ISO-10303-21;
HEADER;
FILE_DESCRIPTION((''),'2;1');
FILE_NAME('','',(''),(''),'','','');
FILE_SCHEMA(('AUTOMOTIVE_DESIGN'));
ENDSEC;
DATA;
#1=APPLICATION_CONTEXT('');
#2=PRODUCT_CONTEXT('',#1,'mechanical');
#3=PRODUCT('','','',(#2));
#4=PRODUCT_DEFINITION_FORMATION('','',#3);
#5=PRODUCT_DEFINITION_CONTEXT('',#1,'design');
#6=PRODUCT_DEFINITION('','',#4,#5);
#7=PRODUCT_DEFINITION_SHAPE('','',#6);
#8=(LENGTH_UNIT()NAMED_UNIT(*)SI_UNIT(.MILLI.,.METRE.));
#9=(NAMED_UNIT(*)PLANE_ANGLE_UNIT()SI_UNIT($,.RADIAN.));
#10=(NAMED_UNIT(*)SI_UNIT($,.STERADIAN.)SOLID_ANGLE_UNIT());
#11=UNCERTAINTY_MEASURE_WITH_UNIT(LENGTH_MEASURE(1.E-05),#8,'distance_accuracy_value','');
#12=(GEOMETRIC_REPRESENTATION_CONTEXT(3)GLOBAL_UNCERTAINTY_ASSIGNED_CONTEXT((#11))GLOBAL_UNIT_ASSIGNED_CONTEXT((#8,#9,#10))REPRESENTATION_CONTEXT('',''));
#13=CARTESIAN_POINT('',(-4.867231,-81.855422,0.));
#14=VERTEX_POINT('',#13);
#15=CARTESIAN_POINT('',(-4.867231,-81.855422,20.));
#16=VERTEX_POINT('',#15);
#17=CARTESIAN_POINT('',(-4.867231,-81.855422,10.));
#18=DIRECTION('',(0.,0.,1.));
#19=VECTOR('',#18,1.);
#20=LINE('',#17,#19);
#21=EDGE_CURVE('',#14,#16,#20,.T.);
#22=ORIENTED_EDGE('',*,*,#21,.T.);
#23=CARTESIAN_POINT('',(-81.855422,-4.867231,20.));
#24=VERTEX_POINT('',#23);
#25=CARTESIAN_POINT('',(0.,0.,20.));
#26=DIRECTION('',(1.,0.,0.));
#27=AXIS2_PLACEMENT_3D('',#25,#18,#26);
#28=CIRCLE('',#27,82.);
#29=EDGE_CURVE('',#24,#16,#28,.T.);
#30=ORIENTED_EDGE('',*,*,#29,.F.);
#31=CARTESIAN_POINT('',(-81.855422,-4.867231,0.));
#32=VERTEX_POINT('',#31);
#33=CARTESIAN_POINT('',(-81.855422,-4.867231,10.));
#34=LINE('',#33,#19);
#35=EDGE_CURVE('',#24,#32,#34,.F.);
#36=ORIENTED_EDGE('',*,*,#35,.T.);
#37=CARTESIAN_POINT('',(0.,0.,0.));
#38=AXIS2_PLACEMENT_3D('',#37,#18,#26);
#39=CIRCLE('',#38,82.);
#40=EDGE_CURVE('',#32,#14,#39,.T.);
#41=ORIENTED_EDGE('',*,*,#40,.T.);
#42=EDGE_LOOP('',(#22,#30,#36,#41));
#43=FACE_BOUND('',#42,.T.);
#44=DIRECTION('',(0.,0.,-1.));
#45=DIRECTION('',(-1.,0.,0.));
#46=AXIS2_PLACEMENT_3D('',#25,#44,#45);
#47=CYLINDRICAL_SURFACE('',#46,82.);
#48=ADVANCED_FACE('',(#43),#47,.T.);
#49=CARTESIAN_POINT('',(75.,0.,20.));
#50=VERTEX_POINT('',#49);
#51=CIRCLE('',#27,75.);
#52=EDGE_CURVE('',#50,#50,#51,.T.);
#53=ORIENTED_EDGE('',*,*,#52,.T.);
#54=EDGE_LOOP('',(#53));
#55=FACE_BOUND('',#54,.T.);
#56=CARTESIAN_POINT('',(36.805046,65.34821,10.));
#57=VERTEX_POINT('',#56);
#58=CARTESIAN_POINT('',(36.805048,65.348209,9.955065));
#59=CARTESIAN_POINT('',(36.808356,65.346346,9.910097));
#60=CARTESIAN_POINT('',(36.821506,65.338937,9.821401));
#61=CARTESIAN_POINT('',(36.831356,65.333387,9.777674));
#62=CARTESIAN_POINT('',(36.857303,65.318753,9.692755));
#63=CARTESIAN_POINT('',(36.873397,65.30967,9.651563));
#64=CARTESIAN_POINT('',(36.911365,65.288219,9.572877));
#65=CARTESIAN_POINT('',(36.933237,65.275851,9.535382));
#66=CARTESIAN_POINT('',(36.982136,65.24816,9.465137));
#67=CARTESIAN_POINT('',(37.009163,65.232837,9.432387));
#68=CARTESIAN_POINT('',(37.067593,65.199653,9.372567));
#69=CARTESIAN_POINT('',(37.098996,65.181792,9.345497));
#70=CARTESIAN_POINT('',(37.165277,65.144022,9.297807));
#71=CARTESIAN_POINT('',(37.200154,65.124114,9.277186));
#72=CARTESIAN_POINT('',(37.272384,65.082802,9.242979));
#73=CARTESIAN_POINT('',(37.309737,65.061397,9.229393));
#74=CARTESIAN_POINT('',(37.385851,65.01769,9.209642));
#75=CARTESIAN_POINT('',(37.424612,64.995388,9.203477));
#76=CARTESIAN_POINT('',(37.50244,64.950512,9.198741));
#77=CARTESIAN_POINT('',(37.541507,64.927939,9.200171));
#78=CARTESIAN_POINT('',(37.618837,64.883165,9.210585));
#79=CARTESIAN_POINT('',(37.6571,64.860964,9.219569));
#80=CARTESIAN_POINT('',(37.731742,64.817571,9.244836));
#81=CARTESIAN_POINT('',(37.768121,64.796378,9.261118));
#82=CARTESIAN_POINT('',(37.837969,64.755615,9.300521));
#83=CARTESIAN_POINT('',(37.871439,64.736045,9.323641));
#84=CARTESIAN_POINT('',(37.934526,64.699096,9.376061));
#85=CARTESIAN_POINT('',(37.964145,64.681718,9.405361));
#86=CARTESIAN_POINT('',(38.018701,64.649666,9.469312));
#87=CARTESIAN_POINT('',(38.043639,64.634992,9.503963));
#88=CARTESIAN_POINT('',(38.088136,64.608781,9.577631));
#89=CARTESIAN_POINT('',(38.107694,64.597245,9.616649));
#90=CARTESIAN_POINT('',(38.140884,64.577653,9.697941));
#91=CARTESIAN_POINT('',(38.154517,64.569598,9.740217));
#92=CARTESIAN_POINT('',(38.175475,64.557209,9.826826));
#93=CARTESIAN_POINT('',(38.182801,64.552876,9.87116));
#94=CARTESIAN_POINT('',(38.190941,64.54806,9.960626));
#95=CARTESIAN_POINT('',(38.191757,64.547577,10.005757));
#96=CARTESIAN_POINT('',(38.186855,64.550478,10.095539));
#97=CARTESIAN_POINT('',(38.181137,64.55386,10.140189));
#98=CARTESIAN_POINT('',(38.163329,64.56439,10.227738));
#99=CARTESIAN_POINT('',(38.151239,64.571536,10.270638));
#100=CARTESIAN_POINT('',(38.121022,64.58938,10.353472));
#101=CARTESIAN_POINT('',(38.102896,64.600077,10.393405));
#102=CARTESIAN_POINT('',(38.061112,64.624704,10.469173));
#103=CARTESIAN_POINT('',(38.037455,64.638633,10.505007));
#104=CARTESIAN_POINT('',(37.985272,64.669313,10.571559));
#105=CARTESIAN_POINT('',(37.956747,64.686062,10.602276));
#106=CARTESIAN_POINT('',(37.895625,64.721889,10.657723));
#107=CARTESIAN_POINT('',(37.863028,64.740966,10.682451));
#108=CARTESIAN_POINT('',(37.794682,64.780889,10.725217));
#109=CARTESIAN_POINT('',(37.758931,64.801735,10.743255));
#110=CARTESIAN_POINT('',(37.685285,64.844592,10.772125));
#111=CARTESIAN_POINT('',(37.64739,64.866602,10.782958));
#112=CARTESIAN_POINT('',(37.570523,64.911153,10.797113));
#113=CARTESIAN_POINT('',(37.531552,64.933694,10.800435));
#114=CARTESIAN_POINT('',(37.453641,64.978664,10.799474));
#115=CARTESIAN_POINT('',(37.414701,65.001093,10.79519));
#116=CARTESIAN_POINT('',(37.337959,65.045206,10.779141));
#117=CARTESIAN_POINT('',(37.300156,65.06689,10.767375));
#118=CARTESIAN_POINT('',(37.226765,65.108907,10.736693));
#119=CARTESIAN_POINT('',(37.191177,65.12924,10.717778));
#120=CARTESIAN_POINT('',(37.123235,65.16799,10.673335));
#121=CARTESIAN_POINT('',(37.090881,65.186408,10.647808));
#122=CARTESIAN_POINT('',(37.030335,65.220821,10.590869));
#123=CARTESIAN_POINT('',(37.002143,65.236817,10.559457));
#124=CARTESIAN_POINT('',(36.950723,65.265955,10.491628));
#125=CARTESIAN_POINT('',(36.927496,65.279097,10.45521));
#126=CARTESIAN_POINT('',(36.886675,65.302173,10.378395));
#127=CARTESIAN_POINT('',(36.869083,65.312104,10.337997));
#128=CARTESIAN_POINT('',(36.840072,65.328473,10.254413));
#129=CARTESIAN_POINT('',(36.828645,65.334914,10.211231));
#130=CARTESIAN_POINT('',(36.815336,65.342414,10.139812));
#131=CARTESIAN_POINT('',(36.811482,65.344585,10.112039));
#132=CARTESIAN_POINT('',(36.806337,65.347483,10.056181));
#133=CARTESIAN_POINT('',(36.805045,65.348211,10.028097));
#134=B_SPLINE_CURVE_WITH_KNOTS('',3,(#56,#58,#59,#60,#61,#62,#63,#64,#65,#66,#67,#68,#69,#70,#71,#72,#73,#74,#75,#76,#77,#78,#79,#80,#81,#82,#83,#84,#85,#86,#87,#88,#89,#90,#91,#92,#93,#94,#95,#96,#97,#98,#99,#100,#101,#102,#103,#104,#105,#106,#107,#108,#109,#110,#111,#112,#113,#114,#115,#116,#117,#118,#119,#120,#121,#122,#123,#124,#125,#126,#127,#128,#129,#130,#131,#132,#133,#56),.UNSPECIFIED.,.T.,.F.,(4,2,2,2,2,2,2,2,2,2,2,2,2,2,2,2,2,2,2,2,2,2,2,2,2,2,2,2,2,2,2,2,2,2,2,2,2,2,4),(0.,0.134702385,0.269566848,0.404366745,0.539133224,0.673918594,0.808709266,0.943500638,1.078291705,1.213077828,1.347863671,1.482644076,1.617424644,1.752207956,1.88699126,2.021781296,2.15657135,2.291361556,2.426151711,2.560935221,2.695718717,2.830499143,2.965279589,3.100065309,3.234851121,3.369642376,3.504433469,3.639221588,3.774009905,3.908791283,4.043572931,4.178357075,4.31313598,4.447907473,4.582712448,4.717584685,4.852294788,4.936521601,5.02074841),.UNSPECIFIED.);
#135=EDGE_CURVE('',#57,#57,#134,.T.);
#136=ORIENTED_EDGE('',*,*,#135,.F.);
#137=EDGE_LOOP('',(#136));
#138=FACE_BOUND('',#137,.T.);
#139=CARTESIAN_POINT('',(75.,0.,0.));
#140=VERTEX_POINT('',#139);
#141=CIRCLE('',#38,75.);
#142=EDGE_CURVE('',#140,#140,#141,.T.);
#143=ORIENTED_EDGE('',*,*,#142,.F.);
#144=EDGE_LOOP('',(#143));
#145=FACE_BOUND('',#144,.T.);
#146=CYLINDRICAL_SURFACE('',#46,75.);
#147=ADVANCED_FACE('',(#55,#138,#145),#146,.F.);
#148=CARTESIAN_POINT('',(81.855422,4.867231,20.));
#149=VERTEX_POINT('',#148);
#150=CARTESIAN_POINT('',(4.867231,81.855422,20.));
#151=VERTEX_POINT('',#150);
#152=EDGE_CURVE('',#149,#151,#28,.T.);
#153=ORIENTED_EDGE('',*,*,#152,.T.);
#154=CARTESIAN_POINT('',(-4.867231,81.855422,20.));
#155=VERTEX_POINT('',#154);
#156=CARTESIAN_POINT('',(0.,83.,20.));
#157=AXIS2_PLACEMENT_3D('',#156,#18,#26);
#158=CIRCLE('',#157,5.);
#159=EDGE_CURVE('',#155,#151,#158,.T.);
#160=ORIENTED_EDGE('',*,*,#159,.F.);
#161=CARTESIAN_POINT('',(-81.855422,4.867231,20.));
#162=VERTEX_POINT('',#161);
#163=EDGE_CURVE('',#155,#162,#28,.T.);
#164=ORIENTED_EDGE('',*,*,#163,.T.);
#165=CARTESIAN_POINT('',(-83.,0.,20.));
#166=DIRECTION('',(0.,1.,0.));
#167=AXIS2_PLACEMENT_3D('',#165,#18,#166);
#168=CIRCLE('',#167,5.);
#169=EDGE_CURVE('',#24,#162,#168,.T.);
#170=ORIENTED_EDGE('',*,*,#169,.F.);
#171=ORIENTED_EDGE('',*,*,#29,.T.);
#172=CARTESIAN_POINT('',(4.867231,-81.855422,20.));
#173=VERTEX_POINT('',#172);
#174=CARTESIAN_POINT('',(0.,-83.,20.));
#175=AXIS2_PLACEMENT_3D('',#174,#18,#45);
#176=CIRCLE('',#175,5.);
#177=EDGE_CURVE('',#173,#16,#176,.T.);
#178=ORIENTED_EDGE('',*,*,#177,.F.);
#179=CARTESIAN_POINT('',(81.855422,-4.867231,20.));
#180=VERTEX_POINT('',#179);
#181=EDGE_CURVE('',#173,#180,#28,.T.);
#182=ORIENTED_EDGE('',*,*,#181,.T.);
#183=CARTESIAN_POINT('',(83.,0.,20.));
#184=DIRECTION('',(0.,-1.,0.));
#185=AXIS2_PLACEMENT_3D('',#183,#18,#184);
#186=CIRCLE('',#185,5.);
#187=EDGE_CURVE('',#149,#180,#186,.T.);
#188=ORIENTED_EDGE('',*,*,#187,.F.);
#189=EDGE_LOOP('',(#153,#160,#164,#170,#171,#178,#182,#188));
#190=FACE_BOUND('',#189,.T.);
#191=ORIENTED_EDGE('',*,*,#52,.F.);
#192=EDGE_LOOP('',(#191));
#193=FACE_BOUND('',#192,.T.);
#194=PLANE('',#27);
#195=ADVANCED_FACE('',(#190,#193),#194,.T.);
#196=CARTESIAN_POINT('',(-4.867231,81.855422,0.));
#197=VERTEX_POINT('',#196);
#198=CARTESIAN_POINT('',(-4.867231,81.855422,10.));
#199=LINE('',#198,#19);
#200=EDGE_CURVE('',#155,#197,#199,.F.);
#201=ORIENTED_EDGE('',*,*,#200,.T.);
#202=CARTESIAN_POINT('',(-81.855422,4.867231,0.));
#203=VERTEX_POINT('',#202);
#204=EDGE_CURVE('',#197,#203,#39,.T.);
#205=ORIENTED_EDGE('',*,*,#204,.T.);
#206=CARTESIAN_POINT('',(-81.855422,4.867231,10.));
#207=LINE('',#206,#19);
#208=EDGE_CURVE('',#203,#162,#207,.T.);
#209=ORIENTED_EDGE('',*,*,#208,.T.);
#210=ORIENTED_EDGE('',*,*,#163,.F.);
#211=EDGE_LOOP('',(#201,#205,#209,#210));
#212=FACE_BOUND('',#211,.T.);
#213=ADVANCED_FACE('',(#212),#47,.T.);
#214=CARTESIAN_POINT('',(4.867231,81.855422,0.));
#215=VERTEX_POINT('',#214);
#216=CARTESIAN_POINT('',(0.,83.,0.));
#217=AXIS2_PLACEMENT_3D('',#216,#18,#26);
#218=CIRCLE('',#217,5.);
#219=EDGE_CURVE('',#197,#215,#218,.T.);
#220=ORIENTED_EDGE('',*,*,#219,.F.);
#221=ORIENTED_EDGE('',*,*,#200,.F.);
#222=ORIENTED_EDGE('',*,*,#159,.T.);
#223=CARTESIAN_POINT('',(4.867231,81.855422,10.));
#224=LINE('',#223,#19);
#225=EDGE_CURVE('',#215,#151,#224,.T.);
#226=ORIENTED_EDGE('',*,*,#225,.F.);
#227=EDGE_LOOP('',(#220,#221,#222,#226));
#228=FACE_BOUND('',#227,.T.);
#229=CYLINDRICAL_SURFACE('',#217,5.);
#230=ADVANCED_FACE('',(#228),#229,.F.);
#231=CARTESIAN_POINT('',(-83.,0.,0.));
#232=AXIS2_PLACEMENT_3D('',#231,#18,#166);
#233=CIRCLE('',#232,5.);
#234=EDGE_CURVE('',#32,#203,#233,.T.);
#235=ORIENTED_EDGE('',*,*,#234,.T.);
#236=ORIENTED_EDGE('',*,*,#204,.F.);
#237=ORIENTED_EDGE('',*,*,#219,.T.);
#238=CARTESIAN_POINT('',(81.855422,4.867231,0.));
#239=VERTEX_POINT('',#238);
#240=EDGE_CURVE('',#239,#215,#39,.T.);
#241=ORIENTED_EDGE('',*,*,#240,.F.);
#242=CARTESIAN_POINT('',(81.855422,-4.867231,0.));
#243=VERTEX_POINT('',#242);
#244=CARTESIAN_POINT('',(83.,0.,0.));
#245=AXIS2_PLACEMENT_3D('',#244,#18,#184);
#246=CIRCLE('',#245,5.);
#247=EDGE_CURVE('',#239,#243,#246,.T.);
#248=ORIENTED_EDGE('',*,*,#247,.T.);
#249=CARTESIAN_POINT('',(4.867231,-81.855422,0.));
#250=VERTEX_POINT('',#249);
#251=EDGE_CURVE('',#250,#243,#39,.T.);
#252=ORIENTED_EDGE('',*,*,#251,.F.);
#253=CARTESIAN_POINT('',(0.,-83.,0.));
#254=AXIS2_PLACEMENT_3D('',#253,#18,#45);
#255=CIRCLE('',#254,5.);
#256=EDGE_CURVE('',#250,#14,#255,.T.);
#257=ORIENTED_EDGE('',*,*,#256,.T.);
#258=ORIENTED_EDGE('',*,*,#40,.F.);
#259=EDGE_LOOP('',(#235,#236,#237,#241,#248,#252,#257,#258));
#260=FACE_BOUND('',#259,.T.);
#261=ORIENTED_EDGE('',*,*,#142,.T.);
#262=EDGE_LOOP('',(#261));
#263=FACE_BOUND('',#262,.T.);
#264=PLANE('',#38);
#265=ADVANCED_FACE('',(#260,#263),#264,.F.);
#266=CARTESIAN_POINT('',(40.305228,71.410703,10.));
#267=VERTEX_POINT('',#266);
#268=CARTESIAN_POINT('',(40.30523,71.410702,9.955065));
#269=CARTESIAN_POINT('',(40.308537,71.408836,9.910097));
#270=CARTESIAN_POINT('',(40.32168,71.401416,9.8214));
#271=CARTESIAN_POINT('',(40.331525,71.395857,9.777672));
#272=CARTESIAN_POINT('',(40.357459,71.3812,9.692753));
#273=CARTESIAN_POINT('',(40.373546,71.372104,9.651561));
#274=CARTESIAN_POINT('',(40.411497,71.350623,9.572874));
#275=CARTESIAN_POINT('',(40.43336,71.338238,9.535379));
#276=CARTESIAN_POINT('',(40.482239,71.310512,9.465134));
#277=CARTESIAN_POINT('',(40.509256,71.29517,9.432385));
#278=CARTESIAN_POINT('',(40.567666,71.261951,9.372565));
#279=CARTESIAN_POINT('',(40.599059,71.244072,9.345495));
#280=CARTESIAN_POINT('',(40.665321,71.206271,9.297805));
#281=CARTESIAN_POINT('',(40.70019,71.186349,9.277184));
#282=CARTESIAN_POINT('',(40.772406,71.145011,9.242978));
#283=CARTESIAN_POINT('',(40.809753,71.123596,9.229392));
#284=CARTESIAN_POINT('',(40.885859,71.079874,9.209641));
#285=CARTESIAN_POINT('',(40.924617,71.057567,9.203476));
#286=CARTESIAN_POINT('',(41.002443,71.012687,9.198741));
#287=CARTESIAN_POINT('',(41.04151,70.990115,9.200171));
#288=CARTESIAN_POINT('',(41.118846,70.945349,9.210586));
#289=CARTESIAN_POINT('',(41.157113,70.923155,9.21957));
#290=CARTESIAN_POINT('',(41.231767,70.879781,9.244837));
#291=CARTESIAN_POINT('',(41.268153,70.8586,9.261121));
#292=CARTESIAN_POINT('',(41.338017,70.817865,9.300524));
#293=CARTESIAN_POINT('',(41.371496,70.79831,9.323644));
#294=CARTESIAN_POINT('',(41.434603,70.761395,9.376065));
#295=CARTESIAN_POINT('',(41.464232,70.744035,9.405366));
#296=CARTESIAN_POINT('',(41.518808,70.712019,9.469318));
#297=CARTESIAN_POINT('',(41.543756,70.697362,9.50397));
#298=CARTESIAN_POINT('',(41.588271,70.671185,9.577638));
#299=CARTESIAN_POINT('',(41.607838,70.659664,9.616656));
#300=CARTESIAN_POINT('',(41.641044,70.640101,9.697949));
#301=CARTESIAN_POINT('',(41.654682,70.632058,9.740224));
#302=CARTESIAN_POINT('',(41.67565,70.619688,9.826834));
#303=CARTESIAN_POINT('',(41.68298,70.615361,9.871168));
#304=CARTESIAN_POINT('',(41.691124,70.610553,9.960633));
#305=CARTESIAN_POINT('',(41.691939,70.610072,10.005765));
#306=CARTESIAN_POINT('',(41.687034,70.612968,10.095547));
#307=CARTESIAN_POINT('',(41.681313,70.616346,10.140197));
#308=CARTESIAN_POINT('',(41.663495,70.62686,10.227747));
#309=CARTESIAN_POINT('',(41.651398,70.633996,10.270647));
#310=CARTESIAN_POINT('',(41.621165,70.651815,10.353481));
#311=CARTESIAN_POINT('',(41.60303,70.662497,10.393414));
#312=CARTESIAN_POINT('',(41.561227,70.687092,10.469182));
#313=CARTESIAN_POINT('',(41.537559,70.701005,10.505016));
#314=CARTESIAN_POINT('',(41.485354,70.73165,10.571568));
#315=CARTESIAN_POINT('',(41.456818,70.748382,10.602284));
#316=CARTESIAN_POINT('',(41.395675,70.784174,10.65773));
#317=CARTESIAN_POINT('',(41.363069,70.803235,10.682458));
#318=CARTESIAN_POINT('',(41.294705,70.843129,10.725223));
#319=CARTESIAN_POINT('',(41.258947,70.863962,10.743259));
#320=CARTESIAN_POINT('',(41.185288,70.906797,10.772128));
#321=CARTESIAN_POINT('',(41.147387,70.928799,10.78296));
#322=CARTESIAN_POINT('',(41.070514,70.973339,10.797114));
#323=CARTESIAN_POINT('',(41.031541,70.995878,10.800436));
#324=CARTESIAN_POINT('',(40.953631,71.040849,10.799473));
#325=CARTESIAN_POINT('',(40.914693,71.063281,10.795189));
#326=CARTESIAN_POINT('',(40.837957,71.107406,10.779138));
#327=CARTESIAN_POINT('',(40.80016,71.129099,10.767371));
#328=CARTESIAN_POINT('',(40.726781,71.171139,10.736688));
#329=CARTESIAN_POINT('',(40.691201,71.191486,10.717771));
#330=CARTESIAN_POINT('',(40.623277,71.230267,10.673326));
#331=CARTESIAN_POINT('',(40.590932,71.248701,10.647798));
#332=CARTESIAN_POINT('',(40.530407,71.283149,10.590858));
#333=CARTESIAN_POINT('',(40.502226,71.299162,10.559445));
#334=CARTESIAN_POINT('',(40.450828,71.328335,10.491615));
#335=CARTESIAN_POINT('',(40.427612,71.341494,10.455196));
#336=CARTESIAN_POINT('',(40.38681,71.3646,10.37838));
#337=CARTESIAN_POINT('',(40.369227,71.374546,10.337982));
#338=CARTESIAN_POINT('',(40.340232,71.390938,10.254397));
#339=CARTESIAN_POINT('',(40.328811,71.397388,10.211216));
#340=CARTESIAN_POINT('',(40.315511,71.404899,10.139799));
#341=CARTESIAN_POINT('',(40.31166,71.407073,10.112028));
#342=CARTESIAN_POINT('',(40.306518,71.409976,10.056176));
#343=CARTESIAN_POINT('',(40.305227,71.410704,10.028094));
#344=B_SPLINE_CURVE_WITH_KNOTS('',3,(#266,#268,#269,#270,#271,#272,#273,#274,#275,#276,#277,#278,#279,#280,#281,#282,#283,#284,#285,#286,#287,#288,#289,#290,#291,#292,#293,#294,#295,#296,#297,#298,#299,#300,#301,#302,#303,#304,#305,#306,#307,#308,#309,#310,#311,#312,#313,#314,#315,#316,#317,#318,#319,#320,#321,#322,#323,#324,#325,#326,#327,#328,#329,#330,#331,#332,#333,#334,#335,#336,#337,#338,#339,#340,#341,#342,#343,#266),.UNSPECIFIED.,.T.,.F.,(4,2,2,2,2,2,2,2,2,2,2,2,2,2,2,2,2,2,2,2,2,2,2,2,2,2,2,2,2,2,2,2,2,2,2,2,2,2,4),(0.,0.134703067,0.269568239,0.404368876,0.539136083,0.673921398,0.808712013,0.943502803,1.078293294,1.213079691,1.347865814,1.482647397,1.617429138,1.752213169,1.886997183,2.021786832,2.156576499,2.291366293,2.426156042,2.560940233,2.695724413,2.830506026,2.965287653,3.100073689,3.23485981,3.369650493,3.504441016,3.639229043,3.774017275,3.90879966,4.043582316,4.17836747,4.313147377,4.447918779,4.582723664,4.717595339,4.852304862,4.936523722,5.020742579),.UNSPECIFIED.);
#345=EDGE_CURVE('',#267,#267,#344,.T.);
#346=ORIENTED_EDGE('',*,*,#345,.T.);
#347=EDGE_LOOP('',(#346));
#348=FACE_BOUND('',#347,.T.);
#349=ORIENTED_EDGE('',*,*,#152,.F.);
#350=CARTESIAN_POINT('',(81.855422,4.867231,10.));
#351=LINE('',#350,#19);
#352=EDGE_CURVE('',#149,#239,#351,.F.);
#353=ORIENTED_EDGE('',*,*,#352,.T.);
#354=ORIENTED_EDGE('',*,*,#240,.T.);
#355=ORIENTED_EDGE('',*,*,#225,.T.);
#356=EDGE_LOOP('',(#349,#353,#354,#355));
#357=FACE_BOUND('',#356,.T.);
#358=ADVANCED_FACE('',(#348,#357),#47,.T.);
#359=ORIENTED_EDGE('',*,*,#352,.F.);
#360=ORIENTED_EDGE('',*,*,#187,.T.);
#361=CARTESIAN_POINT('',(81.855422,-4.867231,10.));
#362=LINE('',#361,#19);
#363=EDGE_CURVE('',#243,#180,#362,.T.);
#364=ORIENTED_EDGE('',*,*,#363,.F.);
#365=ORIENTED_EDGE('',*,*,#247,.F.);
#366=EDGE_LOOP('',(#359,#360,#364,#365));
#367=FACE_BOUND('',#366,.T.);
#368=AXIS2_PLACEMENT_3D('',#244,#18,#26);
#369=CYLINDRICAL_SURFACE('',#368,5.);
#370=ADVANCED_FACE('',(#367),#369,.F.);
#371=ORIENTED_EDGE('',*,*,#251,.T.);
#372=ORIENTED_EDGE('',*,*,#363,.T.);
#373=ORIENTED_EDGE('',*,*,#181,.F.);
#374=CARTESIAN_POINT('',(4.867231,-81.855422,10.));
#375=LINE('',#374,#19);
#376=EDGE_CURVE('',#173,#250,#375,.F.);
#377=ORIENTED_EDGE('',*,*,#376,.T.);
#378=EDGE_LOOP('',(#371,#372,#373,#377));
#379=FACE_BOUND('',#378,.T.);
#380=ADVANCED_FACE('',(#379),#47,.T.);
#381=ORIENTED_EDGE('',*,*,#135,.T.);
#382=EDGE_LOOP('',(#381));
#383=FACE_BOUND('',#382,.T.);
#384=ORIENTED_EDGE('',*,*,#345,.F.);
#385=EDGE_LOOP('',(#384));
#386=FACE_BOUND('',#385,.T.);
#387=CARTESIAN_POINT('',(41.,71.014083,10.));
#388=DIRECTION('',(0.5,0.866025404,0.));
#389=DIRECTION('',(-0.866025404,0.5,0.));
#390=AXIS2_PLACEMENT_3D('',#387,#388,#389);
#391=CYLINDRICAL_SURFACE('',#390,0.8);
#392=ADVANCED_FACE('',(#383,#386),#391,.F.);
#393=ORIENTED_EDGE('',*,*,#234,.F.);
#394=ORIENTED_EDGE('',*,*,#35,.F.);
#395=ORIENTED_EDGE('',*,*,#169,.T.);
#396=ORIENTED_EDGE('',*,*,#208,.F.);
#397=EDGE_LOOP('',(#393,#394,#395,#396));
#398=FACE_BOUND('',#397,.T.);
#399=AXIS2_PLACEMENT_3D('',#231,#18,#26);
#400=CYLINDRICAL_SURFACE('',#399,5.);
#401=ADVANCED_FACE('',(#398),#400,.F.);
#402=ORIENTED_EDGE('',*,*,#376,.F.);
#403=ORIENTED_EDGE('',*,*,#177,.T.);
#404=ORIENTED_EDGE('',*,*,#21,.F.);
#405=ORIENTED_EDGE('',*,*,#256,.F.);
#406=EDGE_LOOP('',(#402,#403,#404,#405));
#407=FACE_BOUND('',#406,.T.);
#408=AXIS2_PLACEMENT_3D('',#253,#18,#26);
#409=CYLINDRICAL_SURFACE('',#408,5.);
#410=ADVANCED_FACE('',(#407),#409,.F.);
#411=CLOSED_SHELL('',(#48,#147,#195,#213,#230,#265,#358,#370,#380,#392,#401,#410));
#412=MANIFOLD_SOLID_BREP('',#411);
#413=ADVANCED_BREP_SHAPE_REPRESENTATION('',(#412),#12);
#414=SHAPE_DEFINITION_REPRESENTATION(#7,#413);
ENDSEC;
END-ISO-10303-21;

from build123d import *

# Parameters (mm, degrees)
SKETCH1_R                 = 82
SKETCH1_R_2               = 75
BOSS_EXTRUDE1_DEPTH       = 20
SKETCH2_R                 = 5
CUT_EXTRUDE1_DEPTH        = 118.677525467
CIRPATTERN1_COUNT         = 4
M2X0_4_TAPPED_HOLE1_D     = 1.6
M2X0_4_TAPPED_HOLE1_DEPTH = 10
M2X0_4_TAPPED_HOLE1_TIP   = 0.480688495


with BuildPart() as part:
    # Sketch1 → Boss-Extrude1 (new body)
    with BuildSketch(Plane.XY):
        Circle(SKETCH1_R)
        Circle(SKETCH1_R_2, mode=Mode.SUBTRACT)
    extrude(amount=BOSS_EXTRUDE1_DEPTH)

    # Sketch2 → Cut-Extrude1 (cut, through all)
    with BuildSketch(Plane.XY.offset(20)):
        with Locations((0, 83)):
            Circle(SKETCH2_R)
    cut_extrude1 = extrude(amount=-CUT_EXTRUDE1_DEPTH, mode=Mode.SUBTRACT)

    # CirPattern1: Cut-Extrude1 ×4 about axis
    cirpattern1_axis = Axis((0, 0, 0), (0, 0, 1))
    for i in range(1, CIRPATTERN1_COUNT):
        add(cut_extrude1.rotate(cirpattern1_axis, i * 360 / CIRPATTERN1_COUNT), mode=Mode.SUBTRACT)

    # M2x0.4 Tapped Hole1
    with Locations(Plane(origin=(41, 71.01408311, 10), x_dir=(0.866025403784, -0.5, 0), z_dir=(0.5, 0.866025403784, 0))):
        with Locations((0, 0)):
            Hole(M2X0_4_TAPPED_HOLE1_D / 2, depth=M2X0_4_TAPPED_HOLE1_DEPTH)
            with Locations((0, 0, -(M2X0_4_TAPPED_HOLE1_DEPTH + M2X0_4_TAPPED_HOLE1_TIP / 2))):  # 118° drill point
                Cone(0, M2X0_4_TAPPED_HOLE1_D / 2, M2X0_4_TAPPED_HOLE1_TIP, mode=Mode.SUBTRACT)


solid = part.part
